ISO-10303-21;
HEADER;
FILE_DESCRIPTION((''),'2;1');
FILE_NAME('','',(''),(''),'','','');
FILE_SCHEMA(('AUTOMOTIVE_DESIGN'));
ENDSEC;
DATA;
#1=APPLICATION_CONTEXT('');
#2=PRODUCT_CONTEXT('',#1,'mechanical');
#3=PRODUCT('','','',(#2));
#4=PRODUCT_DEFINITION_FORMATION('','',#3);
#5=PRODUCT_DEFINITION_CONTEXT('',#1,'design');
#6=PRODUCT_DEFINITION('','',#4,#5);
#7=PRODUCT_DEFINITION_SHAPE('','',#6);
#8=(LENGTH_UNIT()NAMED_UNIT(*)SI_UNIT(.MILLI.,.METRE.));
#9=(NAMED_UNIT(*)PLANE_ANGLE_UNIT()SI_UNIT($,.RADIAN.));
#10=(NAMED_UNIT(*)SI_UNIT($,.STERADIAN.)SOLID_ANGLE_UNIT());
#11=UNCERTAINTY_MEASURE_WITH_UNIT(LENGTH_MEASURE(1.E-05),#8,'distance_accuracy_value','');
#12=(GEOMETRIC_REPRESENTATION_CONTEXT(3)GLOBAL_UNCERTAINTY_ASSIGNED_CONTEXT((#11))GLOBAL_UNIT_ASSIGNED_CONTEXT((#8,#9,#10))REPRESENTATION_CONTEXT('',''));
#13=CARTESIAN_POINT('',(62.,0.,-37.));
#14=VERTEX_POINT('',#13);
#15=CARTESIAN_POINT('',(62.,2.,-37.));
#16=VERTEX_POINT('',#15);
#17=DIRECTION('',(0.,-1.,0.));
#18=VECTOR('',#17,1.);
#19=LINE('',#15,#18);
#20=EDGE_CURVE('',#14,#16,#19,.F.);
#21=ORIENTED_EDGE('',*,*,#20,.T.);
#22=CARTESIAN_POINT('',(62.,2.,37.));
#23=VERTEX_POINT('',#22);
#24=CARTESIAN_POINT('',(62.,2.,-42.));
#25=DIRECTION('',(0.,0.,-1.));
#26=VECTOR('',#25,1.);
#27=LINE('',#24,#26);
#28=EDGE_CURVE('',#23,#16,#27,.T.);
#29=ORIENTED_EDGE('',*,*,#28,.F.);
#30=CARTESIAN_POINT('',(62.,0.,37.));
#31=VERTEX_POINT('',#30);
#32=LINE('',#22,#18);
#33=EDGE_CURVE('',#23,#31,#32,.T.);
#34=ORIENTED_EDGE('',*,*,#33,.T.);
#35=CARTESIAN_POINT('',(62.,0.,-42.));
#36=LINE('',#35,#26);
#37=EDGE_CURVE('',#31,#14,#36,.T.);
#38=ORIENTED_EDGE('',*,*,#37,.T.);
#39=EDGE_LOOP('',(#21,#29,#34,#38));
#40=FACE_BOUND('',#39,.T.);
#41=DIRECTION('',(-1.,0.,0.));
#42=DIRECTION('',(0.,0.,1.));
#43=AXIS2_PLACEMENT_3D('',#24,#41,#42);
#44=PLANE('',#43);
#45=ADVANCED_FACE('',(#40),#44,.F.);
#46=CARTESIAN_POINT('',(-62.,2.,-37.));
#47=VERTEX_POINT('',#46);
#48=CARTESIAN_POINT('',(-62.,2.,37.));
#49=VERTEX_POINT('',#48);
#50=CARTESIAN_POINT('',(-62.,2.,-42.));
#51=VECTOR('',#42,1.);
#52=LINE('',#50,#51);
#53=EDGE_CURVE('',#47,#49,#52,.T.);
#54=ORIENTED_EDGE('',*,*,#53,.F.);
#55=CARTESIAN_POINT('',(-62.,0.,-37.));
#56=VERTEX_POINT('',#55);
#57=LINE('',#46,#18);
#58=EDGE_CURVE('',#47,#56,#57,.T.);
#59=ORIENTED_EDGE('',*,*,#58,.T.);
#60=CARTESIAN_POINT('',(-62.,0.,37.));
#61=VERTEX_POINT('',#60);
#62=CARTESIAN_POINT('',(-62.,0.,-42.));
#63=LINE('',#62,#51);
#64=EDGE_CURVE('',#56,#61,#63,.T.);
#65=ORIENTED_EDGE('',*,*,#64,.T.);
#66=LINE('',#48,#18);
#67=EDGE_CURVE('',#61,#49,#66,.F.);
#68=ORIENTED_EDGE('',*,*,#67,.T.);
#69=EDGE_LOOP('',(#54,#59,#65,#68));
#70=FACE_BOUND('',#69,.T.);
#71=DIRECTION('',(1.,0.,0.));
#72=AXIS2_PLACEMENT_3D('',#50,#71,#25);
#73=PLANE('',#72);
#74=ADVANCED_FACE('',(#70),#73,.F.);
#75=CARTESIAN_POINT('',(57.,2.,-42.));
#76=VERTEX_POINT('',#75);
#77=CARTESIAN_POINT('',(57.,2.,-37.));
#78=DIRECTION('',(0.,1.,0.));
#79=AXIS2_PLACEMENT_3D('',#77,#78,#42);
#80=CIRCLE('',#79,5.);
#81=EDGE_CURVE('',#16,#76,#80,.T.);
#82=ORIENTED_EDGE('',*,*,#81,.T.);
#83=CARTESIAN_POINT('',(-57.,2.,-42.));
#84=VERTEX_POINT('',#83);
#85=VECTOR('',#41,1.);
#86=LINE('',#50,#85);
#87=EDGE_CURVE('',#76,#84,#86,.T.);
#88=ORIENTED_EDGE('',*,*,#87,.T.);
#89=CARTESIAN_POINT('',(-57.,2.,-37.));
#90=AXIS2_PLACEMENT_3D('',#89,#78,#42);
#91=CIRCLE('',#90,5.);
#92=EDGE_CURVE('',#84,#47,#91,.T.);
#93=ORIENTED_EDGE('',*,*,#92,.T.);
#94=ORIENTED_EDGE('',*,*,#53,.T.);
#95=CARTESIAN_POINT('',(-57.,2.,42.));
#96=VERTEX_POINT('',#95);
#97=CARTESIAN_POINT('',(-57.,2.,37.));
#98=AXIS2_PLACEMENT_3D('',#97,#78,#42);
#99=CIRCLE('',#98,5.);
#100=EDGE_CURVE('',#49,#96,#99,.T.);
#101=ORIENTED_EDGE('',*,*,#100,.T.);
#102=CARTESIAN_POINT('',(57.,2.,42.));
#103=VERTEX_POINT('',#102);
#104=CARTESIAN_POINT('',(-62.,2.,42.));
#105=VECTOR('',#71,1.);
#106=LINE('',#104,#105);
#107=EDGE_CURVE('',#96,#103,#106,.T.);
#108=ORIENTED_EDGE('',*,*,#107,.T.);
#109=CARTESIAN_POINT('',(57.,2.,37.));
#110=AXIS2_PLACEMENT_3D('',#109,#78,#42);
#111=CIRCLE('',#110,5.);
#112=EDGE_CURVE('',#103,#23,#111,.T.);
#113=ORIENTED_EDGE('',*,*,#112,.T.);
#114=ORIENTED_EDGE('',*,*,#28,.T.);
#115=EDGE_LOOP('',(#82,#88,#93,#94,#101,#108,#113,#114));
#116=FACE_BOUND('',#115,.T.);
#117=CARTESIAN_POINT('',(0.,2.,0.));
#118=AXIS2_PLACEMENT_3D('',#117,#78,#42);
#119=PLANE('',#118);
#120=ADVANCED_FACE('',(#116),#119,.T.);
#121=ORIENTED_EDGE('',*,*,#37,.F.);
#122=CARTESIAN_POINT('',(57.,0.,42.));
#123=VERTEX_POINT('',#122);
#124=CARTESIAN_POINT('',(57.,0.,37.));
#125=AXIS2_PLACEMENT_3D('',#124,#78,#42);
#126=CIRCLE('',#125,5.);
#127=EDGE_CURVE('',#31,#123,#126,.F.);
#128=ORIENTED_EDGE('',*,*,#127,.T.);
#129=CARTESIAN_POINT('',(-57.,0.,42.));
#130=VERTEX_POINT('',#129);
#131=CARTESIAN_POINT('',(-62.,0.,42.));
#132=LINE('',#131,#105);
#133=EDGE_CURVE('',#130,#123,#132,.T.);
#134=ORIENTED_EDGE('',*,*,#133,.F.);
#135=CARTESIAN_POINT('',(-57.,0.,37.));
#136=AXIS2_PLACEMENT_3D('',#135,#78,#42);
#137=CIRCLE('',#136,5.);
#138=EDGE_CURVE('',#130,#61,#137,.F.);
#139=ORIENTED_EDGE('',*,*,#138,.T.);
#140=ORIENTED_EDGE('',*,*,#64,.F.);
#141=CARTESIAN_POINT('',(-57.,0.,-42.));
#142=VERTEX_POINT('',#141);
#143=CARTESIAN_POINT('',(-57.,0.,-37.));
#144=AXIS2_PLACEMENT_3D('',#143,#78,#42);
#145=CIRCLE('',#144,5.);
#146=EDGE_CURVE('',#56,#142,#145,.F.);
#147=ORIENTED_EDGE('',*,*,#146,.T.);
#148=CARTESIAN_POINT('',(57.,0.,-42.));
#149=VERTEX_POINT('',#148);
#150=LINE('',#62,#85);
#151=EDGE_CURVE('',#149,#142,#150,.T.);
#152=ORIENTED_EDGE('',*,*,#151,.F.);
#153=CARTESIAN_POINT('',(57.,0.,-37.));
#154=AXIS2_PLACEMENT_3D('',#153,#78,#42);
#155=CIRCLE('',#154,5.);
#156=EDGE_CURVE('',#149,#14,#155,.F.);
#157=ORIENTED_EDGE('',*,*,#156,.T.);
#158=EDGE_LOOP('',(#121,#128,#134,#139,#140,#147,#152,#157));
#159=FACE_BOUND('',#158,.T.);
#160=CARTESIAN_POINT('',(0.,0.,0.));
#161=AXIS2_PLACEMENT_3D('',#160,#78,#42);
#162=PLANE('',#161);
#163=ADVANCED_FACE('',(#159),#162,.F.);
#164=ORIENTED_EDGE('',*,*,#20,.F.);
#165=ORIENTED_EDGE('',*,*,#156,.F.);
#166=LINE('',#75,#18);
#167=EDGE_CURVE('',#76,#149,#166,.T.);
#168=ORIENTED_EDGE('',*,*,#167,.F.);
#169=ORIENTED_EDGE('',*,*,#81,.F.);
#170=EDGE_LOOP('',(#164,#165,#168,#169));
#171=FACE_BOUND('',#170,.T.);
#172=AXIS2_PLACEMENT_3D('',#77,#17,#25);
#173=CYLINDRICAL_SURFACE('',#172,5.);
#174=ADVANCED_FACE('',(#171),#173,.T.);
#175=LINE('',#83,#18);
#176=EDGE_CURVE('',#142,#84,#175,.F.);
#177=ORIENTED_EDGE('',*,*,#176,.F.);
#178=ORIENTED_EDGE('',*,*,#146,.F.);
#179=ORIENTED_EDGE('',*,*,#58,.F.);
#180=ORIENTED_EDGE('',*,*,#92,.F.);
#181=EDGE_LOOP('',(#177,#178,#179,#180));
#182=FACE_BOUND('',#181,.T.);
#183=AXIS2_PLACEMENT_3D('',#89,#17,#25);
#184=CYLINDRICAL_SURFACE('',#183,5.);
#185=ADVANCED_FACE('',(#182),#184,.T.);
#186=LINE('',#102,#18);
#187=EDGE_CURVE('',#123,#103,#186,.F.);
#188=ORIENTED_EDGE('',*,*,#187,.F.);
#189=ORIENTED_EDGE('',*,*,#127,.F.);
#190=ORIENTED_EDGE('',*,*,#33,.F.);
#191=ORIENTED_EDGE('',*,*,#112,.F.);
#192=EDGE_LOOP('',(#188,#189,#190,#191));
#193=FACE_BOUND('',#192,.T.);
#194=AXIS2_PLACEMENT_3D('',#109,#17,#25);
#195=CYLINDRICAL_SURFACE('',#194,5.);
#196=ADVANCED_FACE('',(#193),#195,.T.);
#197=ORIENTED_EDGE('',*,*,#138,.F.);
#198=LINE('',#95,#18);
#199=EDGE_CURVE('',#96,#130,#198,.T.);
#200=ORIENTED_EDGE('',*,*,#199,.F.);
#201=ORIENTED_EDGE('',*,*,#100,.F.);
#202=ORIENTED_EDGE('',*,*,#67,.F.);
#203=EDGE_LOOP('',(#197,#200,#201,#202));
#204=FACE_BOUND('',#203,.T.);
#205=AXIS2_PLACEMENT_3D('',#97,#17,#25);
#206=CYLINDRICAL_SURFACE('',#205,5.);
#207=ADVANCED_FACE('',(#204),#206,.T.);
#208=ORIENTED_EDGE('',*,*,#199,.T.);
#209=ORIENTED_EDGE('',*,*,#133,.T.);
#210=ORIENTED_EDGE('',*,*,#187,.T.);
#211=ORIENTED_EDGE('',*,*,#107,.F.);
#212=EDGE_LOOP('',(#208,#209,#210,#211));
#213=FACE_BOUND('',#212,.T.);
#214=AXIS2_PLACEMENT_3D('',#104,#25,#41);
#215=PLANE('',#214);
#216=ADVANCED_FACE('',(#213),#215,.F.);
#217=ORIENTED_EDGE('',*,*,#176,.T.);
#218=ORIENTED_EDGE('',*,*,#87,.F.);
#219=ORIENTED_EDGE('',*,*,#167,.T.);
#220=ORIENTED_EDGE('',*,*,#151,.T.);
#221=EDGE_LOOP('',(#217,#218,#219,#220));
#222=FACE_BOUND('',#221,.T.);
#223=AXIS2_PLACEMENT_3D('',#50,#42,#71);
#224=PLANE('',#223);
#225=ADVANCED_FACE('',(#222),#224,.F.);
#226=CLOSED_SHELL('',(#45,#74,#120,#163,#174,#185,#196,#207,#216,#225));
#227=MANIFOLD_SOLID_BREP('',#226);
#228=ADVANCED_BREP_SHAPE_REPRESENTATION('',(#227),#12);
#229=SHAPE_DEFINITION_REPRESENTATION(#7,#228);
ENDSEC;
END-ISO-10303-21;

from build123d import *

# Parameters (mm, degrees)
SKETCH1_W           = 124
SKETCH1_H           = 84
BOSS_EXTRUDE1_DEPTH = 2
FILLET1_R           = 5
FILLET2_R           = 5
FILLET3_R           = 5
FILLET4_R           = 5


with BuildPart() as part:
    # Sketch1 → Boss-Extrude1 (new body)
    with BuildSketch(Plane(origin=(0, 0, 0), x_dir=(1, 0, 0), z_dir=(0, 1, 0))):
        Rectangle(SKETCH1_W, SKETCH1_H)
    extrude(amount=BOSS_EXTRUDE1_DEPTH)

    # Fillet1
    fillet1_edges = [part.edges().sort_by_distance(p)[0] for p in [
        (62, 1, 42),
    ]]
    fillet(fillet1_edges, radius=FILLET1_R)

    # Fillet2
    fillet2_edges = [part.edges().sort_by_distance(p)[0] for p in [
        (-62, 1, 42),
    ]]
    fillet(fillet2_edges, radius=FILLET2_R)

    # Fillet3
    fillet3_edges = [part.edges().sort_by_distance(p)[0] for p in [
        (-62, 1, -42),
    ]]
    fillet(fillet3_edges, radius=FILLET3_R)

    # Fillet4
    fillet4_edges = [part.edges().sort_by_distance(p)[0] for p in [
        (62, 1, -42),
    ]]
    fillet(fillet4_edges, radius=FILLET4_R)


solid = part.part
